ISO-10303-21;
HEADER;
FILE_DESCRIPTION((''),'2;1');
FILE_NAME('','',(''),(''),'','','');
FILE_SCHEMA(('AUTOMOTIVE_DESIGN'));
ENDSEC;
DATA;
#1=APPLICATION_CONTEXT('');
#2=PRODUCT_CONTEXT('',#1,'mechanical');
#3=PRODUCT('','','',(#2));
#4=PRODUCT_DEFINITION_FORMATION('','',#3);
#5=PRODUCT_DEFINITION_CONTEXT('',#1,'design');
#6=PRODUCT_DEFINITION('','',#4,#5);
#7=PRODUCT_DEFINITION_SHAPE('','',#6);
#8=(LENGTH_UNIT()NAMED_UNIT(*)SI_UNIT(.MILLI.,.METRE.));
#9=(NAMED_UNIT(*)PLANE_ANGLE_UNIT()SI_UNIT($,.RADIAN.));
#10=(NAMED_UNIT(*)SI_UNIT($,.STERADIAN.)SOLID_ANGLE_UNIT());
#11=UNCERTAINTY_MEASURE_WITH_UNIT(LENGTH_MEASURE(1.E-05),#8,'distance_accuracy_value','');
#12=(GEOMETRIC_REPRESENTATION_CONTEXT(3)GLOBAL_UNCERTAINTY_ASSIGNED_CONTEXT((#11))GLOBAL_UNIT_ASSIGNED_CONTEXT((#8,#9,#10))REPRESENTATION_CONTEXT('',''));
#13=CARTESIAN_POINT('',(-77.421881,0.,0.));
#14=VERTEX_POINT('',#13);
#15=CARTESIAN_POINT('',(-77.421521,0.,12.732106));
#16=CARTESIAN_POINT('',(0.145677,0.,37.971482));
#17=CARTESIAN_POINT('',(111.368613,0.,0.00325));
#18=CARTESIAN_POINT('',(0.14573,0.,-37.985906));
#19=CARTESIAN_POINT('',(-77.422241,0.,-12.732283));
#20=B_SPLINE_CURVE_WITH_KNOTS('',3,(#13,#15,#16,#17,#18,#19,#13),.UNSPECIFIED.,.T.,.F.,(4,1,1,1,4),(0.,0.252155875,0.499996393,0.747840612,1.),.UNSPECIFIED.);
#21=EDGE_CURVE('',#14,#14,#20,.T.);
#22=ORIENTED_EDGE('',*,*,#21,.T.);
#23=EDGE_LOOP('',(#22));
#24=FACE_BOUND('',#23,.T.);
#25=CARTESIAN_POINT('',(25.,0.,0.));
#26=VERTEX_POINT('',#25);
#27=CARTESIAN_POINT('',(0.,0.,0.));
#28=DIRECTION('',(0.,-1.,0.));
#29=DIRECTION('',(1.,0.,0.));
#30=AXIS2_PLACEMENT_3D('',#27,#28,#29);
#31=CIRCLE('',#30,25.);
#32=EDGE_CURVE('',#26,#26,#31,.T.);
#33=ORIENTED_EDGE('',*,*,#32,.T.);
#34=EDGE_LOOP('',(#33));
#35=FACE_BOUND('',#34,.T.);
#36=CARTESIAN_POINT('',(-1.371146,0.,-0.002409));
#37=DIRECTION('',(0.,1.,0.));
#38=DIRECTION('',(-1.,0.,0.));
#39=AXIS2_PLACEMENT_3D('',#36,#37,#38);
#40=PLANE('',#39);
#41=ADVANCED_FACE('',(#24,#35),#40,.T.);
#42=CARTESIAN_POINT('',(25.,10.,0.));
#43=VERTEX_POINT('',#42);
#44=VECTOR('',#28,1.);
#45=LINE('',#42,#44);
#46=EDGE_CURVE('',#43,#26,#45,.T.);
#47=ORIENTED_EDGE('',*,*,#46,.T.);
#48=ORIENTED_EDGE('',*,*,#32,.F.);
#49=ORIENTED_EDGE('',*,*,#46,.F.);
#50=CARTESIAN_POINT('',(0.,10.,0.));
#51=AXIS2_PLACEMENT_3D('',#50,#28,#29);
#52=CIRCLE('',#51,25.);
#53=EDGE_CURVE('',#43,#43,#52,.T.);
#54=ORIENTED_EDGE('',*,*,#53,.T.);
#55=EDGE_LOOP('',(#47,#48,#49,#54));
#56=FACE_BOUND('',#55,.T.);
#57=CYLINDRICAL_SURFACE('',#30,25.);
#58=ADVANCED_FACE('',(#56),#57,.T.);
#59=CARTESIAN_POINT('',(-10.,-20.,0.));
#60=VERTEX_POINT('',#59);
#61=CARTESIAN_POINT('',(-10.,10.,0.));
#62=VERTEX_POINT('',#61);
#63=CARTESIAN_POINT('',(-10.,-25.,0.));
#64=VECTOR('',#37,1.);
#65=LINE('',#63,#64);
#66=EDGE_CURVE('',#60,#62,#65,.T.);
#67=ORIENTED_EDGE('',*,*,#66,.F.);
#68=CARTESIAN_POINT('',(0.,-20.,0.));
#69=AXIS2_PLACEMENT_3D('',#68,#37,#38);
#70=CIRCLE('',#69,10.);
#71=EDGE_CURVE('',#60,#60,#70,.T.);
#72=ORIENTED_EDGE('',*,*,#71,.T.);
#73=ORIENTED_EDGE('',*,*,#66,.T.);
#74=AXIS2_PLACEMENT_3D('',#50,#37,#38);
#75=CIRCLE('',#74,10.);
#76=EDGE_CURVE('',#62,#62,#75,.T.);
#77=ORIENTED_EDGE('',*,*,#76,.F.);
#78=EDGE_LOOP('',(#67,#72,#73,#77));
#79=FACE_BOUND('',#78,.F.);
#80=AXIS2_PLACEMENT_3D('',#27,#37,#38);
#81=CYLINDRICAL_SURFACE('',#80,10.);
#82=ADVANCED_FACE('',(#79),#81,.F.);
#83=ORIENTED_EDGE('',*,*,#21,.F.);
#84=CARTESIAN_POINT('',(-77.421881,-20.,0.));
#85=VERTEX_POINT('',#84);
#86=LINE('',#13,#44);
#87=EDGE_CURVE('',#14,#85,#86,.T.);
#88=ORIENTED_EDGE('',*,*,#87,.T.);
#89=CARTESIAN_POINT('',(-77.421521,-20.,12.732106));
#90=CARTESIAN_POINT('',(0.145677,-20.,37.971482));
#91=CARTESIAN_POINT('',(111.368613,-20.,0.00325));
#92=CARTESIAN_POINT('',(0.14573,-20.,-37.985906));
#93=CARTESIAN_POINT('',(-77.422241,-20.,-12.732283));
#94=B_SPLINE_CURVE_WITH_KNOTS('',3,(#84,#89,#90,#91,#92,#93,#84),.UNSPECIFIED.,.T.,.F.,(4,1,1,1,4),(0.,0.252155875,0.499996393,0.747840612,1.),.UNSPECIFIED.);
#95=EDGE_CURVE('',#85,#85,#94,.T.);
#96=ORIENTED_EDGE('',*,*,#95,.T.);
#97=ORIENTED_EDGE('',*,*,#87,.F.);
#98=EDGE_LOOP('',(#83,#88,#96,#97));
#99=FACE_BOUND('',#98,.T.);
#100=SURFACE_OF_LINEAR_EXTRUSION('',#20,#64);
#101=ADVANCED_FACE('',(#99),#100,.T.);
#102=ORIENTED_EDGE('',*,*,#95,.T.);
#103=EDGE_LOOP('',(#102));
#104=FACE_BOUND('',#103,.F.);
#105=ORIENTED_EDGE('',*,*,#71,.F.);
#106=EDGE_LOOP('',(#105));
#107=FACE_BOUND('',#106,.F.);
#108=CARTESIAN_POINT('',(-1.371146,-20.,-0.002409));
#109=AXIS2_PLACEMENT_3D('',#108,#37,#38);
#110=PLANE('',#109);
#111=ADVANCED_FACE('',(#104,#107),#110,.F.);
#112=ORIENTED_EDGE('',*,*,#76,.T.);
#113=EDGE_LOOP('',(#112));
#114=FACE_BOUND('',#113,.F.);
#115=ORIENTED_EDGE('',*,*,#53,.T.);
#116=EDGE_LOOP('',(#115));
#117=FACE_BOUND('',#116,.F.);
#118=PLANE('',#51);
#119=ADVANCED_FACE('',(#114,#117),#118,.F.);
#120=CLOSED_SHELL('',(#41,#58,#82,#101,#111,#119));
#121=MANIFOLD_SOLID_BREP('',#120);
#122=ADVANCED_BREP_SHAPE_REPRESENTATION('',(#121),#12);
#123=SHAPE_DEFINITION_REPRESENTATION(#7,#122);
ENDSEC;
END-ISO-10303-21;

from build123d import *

# Parameters (mm, degrees)
F0_R     = 25
F1_DEPTH = 10
F2_R     = 15
F3_DEPTH = 10
F5_DEPTH = 20
F6_R     = 10
F7_DEPTH = 25


with BuildPart() as f1:
    # F0 (on Front) → F1 (new body, symmetric)
    with BuildSketch(Plane.XZ):
        Circle(F0_R)
    extrude(amount=F1_DEPTH, both=True)

    # F2 (on Front) → F3 (cut, through all)
    with BuildSketch(Plane.XZ):
        Circle(F2_R)
    extrude(amount=F3_DEPTH, mode=Mode.SUBTRACT)

    # F4 (on Front) → F5 (join)
    with BuildSketch(Plane.XZ):
        with BuildLine():
            add(Edge.make_bspline(
                [(-77.4218812204, 0), (-77.4215213056, 12.7321060804), (0.1456770976, 37.9714820309), (111.3686131507, 0.0032495259), (0.1457296307, -37.9859056359), (-77.4222411402, -12.732283472), (-77.4218812204, 0)],
                knots=[0, 0, 0, 0, 0.2521558752, 0.4999963934, 0.7478406116, 1, 1, 1, 1], degree=3))
        make_face()
    extrude(amount=F5_DEPTH)

    # F6 (on face) → F7 (cut, symmetric)
    with BuildSketch(Plane(origin=(0, 0, 0), x_dir=(-1, 0, 0), z_dir=(0, 1, 0))):
        Circle(F6_R)
    extrude(amount=F7_DEPTH, both=True, mode=Mode.SUBTRACT)


solid = f1.part
